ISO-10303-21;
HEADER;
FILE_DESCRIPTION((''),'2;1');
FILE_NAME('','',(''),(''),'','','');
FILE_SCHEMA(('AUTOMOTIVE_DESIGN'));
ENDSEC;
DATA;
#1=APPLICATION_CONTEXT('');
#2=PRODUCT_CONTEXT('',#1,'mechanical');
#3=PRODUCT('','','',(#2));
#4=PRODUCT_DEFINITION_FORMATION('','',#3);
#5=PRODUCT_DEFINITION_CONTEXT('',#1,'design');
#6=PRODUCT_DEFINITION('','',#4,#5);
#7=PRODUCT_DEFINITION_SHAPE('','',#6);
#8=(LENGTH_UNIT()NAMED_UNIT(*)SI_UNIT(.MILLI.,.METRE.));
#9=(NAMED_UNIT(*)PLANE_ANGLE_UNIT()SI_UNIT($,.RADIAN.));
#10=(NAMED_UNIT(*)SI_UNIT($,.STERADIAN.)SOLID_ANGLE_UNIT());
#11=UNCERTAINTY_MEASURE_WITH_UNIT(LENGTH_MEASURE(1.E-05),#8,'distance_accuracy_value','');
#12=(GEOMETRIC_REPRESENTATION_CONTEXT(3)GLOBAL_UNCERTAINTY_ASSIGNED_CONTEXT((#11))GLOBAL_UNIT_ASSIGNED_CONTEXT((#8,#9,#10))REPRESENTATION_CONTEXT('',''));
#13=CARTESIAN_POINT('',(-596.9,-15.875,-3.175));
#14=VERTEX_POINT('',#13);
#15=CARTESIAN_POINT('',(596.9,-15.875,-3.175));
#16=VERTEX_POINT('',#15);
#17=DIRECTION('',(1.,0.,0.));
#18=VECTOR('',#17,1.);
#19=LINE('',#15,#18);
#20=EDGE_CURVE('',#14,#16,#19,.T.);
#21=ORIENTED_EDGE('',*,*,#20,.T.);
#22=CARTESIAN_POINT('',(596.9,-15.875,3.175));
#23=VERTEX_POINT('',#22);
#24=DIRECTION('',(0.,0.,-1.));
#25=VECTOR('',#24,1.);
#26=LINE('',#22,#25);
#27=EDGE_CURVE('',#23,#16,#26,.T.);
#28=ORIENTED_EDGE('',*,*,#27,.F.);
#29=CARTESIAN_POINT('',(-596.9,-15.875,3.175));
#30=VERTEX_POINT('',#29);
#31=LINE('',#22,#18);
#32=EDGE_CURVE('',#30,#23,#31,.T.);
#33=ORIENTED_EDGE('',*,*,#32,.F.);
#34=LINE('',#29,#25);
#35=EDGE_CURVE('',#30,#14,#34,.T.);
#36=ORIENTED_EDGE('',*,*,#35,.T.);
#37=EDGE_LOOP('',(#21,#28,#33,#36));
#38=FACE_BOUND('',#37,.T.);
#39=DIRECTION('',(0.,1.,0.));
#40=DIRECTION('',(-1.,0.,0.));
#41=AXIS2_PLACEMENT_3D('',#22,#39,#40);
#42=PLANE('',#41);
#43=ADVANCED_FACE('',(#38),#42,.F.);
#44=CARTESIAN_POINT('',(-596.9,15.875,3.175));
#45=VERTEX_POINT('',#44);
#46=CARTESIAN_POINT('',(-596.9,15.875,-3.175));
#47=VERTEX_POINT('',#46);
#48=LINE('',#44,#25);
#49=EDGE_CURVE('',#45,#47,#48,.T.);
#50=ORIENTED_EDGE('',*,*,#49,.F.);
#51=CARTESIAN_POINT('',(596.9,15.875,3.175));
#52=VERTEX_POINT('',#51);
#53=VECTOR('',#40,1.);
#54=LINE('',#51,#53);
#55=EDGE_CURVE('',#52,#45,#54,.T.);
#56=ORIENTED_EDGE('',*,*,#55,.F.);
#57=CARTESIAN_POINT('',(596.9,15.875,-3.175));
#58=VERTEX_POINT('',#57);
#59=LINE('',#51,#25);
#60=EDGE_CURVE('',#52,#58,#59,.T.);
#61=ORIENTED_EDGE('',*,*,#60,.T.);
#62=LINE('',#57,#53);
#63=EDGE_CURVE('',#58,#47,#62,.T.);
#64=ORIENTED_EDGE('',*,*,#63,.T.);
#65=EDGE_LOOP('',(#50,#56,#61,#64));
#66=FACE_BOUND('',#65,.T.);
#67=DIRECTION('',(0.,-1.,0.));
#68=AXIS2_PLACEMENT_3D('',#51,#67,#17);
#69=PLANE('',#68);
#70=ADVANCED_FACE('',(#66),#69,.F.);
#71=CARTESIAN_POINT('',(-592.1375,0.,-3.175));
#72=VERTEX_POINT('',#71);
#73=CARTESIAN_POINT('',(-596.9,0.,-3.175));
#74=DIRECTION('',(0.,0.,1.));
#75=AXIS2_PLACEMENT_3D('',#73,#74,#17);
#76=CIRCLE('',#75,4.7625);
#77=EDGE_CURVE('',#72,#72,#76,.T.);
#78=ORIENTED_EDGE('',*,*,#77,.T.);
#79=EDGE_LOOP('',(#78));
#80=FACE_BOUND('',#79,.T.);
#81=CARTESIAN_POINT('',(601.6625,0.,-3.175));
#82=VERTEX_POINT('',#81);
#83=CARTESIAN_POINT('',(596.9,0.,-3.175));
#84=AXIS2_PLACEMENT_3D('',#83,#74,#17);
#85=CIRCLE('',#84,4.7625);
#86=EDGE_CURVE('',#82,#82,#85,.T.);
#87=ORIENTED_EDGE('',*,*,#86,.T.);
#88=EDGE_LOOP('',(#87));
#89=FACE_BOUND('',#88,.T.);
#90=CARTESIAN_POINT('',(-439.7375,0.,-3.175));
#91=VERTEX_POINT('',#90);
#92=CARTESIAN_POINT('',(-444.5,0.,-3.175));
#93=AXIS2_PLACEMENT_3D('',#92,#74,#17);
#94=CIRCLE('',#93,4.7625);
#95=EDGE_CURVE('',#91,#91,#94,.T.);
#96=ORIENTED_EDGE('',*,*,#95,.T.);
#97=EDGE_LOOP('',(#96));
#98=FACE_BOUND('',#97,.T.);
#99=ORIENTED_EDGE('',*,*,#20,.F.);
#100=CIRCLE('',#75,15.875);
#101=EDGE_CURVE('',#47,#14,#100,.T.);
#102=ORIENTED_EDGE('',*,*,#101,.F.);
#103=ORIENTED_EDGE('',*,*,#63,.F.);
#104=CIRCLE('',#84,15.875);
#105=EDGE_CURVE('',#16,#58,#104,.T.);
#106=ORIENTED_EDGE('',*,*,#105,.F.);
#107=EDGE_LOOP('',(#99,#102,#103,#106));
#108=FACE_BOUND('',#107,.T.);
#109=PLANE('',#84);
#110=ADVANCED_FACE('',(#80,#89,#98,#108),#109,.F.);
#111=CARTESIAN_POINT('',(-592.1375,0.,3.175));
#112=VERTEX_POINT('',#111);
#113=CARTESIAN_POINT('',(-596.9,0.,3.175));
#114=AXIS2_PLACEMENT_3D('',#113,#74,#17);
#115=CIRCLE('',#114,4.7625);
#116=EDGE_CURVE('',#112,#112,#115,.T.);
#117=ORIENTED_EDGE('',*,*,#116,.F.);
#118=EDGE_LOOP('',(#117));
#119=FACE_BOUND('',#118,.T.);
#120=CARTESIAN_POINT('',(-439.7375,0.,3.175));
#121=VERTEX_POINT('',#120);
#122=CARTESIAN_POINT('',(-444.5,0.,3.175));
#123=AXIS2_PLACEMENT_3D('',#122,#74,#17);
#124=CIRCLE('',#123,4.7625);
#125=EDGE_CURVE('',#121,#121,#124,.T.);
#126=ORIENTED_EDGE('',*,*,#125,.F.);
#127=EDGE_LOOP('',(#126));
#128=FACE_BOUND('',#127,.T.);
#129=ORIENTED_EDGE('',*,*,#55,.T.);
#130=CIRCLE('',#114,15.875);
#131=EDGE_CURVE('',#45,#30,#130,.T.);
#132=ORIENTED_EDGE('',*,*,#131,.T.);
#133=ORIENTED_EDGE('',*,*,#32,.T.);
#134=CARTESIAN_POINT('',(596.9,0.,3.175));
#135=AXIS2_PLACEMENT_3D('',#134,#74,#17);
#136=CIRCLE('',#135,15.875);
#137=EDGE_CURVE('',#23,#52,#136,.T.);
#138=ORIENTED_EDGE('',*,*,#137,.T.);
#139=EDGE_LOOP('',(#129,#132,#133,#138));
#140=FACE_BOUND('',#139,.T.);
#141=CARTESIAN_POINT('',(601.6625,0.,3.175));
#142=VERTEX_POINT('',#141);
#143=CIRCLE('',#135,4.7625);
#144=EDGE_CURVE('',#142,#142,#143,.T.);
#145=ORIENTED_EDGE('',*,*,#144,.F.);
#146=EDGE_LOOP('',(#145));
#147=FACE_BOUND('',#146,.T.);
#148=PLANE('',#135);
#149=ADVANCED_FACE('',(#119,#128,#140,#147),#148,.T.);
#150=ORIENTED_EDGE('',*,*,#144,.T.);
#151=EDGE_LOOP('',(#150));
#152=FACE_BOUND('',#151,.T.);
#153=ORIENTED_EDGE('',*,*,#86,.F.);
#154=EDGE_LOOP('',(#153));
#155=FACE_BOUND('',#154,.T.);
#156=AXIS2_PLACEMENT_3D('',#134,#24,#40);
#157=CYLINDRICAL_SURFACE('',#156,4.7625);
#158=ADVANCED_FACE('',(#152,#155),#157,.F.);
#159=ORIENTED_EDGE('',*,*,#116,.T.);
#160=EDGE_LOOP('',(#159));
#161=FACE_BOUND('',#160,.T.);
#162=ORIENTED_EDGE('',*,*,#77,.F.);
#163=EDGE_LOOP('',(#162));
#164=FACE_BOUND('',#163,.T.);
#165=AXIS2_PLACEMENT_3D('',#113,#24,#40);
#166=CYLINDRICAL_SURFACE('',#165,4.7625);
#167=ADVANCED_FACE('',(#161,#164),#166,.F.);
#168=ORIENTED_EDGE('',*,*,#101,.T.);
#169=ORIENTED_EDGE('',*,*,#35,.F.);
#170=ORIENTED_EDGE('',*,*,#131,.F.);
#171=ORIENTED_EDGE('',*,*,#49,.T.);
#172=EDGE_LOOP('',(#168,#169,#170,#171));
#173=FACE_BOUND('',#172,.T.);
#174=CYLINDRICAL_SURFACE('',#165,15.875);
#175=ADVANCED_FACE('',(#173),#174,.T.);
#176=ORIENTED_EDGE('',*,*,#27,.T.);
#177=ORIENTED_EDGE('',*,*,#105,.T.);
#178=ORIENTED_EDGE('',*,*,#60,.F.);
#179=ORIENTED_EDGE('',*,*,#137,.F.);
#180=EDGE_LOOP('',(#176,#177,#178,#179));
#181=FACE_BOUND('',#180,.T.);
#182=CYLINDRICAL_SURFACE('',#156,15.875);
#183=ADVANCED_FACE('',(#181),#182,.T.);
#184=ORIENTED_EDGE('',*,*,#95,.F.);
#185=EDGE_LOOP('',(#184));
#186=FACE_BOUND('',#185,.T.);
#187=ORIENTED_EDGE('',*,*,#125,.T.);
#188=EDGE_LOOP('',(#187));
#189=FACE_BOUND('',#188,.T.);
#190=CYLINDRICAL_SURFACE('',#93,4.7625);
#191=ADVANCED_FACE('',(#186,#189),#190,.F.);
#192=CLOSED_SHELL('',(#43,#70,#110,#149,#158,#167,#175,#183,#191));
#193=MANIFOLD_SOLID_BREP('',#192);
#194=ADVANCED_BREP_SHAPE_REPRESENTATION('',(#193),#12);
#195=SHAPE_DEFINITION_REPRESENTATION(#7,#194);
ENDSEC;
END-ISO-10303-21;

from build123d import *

# Parameters (mm, degrees)
SKETCH1_R           = 4.7625
BOSS_EXTRUDE1_DEPTH = 3.175
SKETCH2_R           = 4.7625
CUT_EXTRUDE1_DEPTH  = 614.01348986


with BuildPart() as part:
    # Sketch1 → Boss-Extrude1 (new, symmetric)
    with BuildSketch(Plane.XY):
        with BuildLine():
            Line((596.9, -15.875), (-596.9, -15.875))
            ThreePointArc((-596.9, -15.875), (-612.775, 0), (-596.9, 15.875))
            Line((-596.9, 15.875), (596.9, 15.875))
            ThreePointArc((596.9, 15.875), (612.775, 0), (596.9, -15.875))
        make_face()
        with Locations((-596.9, 0)):
            Circle(SKETCH1_R, mode=Mode.SUBTRACT)
        with Locations((596.9, 0)):
            Circle(SKETCH1_R, mode=Mode.SUBTRACT)
    extrude(amount=BOSS_EXTRUDE1_DEPTH, both=True)

    # Sketch2 → Cut-Extrude1 (cut, through all)
    with BuildSketch(Plane.XY.offset(3.175)):
        with Locations((-444.5, 0)):
            Circle(SKETCH2_R)
    extrude(amount=-CUT_EXTRUDE1_DEPTH, mode=Mode.SUBTRACT)


solid = part.part
